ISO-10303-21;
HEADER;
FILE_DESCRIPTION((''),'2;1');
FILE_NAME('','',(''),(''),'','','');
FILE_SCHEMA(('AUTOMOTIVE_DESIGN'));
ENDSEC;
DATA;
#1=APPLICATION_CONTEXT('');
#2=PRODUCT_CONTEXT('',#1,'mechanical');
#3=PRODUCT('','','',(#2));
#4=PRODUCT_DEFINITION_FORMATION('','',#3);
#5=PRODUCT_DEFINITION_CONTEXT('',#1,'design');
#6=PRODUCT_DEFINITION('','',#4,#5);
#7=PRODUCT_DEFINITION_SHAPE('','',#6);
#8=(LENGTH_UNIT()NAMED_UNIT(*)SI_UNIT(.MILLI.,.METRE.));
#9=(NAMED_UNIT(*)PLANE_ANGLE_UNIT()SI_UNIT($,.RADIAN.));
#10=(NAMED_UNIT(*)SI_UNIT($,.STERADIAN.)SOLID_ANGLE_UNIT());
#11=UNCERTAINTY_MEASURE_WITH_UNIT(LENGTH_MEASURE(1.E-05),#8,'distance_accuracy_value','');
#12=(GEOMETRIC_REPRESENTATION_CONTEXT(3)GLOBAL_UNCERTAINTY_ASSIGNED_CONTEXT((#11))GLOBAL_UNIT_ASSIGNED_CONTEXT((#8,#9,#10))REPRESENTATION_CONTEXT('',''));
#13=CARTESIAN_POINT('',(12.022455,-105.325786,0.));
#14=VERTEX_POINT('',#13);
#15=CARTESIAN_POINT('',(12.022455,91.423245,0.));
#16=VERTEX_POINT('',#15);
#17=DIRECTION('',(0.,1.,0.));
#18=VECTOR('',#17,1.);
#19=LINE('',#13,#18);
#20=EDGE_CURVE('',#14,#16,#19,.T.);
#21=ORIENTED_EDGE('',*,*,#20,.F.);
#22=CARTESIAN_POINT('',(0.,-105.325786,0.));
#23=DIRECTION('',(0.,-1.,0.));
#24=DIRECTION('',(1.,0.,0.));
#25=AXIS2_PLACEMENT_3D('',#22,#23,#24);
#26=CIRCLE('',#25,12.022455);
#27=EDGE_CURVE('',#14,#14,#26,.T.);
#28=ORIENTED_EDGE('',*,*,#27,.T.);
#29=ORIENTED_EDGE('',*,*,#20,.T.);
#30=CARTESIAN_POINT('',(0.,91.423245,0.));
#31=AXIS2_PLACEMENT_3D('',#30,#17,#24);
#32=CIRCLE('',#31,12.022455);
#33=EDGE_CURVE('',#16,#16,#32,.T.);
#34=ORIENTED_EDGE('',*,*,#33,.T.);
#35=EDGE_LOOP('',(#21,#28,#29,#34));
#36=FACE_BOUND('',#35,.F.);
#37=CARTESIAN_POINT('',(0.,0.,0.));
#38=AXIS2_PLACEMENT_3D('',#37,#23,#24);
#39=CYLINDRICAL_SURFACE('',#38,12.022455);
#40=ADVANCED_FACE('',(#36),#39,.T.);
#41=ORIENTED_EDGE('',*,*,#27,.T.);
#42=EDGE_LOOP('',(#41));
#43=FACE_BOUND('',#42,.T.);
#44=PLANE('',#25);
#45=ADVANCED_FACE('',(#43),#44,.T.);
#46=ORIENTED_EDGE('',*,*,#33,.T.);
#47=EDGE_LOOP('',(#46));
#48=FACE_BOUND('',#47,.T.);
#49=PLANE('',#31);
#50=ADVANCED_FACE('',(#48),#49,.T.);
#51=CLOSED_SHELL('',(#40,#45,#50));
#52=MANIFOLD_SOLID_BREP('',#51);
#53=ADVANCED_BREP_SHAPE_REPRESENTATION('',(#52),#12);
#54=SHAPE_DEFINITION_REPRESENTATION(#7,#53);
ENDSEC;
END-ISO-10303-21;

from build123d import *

# Parameters (mm, degrees)
F0_R      = 12.022455
F1_DEPTH  = 105.325786
F1_FACE_R = 12.022455
F2_DEPTH  = 91.423245


with BuildPart() as f1:
    # F0 (on Front) → F1 (new body)
    with BuildSketch(Plane.XZ):
        Circle(F0_R)
    extrude(amount=F1_DEPTH)

    # F1_face (on face) → F2 (join)
    with BuildSketch(Plane(origin=(0, 0, 0), x_dir=(1, 0, 0), z_dir=(0, 1, 0))):
        Circle(F1_FACE_R)
    extrude(amount=F2_DEPTH)


solid = f1.part
